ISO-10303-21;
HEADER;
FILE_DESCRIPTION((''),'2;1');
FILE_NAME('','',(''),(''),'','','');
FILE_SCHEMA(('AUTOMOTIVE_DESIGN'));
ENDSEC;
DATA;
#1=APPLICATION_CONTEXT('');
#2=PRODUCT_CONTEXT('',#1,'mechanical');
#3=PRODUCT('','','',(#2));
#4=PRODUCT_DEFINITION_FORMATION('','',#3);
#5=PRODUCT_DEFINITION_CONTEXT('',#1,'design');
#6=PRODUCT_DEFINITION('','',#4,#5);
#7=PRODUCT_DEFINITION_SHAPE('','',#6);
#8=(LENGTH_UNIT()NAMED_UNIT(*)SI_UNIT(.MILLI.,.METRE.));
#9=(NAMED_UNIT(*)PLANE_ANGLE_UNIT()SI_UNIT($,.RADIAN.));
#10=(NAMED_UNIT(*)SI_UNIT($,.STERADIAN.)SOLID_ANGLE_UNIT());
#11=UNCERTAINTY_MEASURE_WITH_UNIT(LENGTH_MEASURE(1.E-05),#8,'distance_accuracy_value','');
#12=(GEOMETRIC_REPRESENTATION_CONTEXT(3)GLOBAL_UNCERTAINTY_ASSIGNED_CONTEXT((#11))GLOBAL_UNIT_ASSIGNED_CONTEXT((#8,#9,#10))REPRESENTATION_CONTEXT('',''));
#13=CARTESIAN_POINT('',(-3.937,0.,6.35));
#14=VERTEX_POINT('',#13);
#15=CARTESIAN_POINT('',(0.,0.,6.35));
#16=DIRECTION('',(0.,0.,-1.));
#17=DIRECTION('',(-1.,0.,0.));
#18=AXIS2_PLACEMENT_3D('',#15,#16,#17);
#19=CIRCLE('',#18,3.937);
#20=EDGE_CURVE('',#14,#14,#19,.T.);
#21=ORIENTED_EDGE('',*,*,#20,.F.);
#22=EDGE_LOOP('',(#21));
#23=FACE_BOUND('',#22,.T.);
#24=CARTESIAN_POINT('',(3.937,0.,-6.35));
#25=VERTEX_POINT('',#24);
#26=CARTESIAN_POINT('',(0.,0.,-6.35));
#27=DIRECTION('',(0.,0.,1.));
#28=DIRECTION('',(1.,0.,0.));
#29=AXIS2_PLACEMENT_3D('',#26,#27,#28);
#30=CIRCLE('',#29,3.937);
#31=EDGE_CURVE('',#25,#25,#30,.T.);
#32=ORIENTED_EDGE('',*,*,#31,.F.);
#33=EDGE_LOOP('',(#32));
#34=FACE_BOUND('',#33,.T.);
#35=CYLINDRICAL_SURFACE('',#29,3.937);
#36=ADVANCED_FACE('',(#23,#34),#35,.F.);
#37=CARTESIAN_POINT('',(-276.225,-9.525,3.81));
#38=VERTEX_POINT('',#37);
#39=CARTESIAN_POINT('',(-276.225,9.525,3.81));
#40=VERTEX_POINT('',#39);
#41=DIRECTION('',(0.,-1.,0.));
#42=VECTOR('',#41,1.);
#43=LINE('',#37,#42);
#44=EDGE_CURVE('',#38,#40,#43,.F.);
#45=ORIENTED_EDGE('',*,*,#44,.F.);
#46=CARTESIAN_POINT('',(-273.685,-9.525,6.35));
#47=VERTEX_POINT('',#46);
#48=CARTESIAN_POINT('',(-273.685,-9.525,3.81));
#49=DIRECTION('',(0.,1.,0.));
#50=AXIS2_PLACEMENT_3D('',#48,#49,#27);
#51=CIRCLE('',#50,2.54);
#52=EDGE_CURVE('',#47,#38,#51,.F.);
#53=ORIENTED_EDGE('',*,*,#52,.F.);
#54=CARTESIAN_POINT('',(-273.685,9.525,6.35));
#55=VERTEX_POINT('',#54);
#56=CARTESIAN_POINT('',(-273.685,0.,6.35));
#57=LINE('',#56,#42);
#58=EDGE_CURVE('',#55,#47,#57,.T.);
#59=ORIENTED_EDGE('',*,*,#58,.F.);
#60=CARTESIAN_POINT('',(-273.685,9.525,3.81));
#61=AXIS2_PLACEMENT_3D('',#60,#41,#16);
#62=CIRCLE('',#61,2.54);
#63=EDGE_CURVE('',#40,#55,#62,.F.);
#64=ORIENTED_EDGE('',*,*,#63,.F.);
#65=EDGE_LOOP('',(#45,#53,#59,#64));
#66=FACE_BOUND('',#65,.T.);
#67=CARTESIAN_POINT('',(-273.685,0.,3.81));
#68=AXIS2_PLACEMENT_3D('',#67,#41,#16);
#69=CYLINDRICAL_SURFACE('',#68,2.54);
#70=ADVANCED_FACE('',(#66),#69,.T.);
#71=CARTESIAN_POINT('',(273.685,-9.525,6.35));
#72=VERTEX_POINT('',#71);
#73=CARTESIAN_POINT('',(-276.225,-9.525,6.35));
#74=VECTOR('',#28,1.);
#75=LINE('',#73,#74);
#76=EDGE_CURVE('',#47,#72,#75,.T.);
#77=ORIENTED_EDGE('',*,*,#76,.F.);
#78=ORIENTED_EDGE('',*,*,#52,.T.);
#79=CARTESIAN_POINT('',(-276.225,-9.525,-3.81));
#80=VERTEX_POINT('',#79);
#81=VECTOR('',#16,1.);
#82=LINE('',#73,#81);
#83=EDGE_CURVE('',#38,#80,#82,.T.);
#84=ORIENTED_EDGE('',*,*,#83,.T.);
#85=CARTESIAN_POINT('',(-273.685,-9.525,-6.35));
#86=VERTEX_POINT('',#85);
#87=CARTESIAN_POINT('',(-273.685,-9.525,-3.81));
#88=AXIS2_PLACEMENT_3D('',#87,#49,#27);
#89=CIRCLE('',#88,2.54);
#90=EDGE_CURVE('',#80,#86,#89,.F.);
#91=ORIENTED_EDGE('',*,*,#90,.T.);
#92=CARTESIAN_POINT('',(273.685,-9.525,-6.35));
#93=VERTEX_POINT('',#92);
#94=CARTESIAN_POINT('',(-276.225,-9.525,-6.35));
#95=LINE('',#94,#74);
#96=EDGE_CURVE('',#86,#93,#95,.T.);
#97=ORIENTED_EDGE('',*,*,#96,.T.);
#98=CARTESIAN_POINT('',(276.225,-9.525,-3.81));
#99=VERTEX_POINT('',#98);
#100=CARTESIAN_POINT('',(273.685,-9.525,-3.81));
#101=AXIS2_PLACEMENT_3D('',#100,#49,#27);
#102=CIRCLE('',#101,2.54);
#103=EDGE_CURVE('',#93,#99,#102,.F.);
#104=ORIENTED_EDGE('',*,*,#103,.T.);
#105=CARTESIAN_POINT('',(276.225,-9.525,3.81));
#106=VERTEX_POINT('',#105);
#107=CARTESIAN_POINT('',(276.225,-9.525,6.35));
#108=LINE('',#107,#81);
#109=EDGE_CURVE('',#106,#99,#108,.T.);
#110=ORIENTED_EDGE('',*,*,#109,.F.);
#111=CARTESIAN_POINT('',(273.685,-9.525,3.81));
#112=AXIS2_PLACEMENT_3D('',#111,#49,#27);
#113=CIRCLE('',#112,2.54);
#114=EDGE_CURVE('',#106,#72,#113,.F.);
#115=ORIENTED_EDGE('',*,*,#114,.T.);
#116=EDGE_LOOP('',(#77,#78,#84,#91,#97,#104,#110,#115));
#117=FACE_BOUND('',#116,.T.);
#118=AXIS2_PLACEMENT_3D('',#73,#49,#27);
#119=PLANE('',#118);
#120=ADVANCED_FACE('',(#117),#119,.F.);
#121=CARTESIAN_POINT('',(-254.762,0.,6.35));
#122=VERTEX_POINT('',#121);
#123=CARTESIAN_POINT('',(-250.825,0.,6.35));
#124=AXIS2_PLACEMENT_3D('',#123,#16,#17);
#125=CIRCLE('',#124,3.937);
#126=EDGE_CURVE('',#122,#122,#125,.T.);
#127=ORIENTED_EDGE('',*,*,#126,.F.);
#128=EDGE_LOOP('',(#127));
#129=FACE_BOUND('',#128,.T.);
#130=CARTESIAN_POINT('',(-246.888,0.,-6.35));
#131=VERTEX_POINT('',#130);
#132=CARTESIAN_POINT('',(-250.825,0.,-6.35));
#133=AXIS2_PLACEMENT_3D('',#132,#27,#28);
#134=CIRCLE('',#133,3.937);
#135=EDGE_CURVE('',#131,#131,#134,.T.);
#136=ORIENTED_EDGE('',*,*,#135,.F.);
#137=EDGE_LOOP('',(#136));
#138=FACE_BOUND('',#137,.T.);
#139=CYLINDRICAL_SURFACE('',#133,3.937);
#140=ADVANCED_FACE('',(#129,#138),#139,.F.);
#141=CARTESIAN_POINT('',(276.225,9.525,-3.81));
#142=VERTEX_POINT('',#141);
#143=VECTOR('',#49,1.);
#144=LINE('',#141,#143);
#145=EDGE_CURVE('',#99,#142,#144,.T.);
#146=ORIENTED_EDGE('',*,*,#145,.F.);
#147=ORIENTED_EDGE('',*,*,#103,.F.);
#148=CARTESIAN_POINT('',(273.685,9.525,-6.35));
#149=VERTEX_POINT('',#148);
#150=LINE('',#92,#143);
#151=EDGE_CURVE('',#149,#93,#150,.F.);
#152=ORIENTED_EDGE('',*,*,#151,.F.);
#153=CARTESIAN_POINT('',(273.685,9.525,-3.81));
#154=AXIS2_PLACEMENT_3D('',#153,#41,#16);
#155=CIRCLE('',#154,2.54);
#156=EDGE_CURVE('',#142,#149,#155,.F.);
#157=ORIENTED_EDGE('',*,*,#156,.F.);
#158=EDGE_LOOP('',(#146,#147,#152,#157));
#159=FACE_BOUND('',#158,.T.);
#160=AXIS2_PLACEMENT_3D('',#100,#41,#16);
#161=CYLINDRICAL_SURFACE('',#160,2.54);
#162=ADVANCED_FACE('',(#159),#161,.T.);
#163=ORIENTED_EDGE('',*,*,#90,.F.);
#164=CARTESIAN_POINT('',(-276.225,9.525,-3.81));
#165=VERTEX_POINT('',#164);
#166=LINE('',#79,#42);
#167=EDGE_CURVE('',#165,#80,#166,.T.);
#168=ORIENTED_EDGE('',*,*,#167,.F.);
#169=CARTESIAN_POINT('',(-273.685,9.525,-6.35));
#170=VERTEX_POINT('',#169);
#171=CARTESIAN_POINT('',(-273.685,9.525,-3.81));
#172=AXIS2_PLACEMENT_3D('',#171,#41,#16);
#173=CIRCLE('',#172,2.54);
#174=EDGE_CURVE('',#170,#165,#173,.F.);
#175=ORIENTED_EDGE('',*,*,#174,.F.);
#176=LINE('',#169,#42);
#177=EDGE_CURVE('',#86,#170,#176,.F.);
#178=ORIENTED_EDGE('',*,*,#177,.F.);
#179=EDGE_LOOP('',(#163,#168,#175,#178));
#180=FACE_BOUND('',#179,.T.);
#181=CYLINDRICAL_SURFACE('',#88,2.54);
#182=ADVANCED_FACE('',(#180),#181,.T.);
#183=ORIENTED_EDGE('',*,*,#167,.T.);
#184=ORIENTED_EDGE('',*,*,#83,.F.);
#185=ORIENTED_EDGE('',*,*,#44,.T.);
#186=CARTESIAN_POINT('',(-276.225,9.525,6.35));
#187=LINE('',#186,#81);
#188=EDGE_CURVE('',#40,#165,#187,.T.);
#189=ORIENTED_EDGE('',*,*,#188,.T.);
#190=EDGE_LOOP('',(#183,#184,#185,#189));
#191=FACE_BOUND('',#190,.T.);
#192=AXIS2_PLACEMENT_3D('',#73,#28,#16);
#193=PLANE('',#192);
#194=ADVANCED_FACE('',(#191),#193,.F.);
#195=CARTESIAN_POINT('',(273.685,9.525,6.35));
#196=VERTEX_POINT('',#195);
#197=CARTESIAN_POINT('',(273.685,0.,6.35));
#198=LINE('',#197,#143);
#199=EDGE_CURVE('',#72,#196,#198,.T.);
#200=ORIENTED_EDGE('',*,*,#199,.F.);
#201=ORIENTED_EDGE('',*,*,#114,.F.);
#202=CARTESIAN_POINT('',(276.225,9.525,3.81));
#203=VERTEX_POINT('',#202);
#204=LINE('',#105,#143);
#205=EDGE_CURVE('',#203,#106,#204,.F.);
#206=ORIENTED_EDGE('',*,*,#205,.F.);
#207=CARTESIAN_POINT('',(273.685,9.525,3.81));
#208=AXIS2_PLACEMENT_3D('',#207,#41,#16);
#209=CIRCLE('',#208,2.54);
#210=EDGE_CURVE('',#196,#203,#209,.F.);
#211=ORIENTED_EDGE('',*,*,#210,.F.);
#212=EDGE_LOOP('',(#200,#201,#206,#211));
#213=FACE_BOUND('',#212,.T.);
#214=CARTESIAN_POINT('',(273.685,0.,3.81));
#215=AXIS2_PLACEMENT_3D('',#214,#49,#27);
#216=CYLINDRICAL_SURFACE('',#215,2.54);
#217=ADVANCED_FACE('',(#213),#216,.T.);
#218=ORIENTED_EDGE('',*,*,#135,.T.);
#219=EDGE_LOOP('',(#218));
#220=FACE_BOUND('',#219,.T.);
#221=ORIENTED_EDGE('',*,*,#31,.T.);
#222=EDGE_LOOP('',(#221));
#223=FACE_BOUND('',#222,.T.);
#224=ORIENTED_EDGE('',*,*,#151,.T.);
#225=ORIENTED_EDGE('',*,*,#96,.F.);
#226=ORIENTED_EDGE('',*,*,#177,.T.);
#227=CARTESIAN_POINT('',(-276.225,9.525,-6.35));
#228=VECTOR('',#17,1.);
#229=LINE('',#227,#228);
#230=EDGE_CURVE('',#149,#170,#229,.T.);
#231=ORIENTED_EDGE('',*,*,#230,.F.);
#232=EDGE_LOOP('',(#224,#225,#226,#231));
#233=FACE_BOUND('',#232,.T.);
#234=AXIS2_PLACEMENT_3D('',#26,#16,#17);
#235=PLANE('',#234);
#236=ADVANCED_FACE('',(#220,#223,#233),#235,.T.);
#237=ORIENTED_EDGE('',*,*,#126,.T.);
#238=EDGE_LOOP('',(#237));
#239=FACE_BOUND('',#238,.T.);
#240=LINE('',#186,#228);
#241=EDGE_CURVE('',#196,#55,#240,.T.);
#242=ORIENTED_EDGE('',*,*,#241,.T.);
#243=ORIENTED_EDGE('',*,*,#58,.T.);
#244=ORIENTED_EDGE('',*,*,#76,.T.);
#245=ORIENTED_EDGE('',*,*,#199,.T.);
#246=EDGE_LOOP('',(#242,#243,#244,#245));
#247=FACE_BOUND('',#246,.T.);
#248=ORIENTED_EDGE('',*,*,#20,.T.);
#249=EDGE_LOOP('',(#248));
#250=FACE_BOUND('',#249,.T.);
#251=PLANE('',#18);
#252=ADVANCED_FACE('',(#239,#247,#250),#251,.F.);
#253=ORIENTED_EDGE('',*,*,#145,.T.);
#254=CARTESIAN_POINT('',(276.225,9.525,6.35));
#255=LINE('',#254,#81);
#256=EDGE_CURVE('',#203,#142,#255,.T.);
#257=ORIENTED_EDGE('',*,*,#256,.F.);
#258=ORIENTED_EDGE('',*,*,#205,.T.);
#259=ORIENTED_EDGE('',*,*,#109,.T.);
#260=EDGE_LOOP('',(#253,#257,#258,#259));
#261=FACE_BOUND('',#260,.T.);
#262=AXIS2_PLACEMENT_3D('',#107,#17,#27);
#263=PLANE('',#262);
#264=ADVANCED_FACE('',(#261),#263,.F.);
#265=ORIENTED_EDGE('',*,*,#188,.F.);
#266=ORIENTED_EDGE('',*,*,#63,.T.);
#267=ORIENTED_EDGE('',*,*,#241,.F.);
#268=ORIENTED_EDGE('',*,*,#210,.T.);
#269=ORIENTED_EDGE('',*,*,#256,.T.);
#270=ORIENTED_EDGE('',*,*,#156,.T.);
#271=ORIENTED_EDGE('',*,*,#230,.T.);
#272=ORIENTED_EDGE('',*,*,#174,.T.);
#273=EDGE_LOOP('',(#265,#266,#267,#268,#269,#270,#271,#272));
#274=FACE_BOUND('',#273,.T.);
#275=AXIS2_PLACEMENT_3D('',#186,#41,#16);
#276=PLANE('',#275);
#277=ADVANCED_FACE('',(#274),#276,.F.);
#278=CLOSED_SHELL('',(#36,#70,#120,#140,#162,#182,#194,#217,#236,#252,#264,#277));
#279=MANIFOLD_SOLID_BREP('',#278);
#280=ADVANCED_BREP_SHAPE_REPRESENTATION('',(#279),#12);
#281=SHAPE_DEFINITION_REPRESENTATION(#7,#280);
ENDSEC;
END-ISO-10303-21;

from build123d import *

# Parameters (mm, degrees)
SKETCH1_W               = 552.45
SKETCH1_H               = 19.05
BOSS_EXTRUDE1_DEPTH     = 6.35
CUT_EXTRUDE1_DEPTH      = 277.680802099
CUT_EXTRUDE1_DEPTH_BACK = 277.680802099
SKETCH2_R               = 3.937
FILLET1_R               = 2.54


with BuildPart() as part:
    # Sketch1 → Boss-Extrude1 (new, symmetric)
    with BuildSketch(Plane.XY):
        Rectangle(SKETCH1_W, SKETCH1_H)
    extrude(amount=BOSS_EXTRUDE1_DEPTH, both=True)

    # Sketch2 → Cut-Extrude1 (cut, two sides: drawn at the far end of the back side and taken through both)
    with BuildSketch(Plane.XY.offset(6.35).offset(-CUT_EXTRUDE1_DEPTH_BACK)):
        Circle(SKETCH2_R)
        with Locations((-250.825, 0)):
            Circle(SKETCH2_R)
    extrude(amount=CUT_EXTRUDE1_DEPTH + CUT_EXTRUDE1_DEPTH_BACK, mode=Mode.SUBTRACT)

    # Fillet1
    fillet1_edges = [part.edges().sort_by_distance(p)[0] for p in [
        (-276.225, 0, 6.35),
        (276.225, 0, 6.35),
        (-276.225, 0, -6.35),
        (276.225, 0, -6.35),
    ]]
    fillet(fillet1_edges, radius=FILLET1_R)


solid = part.part
